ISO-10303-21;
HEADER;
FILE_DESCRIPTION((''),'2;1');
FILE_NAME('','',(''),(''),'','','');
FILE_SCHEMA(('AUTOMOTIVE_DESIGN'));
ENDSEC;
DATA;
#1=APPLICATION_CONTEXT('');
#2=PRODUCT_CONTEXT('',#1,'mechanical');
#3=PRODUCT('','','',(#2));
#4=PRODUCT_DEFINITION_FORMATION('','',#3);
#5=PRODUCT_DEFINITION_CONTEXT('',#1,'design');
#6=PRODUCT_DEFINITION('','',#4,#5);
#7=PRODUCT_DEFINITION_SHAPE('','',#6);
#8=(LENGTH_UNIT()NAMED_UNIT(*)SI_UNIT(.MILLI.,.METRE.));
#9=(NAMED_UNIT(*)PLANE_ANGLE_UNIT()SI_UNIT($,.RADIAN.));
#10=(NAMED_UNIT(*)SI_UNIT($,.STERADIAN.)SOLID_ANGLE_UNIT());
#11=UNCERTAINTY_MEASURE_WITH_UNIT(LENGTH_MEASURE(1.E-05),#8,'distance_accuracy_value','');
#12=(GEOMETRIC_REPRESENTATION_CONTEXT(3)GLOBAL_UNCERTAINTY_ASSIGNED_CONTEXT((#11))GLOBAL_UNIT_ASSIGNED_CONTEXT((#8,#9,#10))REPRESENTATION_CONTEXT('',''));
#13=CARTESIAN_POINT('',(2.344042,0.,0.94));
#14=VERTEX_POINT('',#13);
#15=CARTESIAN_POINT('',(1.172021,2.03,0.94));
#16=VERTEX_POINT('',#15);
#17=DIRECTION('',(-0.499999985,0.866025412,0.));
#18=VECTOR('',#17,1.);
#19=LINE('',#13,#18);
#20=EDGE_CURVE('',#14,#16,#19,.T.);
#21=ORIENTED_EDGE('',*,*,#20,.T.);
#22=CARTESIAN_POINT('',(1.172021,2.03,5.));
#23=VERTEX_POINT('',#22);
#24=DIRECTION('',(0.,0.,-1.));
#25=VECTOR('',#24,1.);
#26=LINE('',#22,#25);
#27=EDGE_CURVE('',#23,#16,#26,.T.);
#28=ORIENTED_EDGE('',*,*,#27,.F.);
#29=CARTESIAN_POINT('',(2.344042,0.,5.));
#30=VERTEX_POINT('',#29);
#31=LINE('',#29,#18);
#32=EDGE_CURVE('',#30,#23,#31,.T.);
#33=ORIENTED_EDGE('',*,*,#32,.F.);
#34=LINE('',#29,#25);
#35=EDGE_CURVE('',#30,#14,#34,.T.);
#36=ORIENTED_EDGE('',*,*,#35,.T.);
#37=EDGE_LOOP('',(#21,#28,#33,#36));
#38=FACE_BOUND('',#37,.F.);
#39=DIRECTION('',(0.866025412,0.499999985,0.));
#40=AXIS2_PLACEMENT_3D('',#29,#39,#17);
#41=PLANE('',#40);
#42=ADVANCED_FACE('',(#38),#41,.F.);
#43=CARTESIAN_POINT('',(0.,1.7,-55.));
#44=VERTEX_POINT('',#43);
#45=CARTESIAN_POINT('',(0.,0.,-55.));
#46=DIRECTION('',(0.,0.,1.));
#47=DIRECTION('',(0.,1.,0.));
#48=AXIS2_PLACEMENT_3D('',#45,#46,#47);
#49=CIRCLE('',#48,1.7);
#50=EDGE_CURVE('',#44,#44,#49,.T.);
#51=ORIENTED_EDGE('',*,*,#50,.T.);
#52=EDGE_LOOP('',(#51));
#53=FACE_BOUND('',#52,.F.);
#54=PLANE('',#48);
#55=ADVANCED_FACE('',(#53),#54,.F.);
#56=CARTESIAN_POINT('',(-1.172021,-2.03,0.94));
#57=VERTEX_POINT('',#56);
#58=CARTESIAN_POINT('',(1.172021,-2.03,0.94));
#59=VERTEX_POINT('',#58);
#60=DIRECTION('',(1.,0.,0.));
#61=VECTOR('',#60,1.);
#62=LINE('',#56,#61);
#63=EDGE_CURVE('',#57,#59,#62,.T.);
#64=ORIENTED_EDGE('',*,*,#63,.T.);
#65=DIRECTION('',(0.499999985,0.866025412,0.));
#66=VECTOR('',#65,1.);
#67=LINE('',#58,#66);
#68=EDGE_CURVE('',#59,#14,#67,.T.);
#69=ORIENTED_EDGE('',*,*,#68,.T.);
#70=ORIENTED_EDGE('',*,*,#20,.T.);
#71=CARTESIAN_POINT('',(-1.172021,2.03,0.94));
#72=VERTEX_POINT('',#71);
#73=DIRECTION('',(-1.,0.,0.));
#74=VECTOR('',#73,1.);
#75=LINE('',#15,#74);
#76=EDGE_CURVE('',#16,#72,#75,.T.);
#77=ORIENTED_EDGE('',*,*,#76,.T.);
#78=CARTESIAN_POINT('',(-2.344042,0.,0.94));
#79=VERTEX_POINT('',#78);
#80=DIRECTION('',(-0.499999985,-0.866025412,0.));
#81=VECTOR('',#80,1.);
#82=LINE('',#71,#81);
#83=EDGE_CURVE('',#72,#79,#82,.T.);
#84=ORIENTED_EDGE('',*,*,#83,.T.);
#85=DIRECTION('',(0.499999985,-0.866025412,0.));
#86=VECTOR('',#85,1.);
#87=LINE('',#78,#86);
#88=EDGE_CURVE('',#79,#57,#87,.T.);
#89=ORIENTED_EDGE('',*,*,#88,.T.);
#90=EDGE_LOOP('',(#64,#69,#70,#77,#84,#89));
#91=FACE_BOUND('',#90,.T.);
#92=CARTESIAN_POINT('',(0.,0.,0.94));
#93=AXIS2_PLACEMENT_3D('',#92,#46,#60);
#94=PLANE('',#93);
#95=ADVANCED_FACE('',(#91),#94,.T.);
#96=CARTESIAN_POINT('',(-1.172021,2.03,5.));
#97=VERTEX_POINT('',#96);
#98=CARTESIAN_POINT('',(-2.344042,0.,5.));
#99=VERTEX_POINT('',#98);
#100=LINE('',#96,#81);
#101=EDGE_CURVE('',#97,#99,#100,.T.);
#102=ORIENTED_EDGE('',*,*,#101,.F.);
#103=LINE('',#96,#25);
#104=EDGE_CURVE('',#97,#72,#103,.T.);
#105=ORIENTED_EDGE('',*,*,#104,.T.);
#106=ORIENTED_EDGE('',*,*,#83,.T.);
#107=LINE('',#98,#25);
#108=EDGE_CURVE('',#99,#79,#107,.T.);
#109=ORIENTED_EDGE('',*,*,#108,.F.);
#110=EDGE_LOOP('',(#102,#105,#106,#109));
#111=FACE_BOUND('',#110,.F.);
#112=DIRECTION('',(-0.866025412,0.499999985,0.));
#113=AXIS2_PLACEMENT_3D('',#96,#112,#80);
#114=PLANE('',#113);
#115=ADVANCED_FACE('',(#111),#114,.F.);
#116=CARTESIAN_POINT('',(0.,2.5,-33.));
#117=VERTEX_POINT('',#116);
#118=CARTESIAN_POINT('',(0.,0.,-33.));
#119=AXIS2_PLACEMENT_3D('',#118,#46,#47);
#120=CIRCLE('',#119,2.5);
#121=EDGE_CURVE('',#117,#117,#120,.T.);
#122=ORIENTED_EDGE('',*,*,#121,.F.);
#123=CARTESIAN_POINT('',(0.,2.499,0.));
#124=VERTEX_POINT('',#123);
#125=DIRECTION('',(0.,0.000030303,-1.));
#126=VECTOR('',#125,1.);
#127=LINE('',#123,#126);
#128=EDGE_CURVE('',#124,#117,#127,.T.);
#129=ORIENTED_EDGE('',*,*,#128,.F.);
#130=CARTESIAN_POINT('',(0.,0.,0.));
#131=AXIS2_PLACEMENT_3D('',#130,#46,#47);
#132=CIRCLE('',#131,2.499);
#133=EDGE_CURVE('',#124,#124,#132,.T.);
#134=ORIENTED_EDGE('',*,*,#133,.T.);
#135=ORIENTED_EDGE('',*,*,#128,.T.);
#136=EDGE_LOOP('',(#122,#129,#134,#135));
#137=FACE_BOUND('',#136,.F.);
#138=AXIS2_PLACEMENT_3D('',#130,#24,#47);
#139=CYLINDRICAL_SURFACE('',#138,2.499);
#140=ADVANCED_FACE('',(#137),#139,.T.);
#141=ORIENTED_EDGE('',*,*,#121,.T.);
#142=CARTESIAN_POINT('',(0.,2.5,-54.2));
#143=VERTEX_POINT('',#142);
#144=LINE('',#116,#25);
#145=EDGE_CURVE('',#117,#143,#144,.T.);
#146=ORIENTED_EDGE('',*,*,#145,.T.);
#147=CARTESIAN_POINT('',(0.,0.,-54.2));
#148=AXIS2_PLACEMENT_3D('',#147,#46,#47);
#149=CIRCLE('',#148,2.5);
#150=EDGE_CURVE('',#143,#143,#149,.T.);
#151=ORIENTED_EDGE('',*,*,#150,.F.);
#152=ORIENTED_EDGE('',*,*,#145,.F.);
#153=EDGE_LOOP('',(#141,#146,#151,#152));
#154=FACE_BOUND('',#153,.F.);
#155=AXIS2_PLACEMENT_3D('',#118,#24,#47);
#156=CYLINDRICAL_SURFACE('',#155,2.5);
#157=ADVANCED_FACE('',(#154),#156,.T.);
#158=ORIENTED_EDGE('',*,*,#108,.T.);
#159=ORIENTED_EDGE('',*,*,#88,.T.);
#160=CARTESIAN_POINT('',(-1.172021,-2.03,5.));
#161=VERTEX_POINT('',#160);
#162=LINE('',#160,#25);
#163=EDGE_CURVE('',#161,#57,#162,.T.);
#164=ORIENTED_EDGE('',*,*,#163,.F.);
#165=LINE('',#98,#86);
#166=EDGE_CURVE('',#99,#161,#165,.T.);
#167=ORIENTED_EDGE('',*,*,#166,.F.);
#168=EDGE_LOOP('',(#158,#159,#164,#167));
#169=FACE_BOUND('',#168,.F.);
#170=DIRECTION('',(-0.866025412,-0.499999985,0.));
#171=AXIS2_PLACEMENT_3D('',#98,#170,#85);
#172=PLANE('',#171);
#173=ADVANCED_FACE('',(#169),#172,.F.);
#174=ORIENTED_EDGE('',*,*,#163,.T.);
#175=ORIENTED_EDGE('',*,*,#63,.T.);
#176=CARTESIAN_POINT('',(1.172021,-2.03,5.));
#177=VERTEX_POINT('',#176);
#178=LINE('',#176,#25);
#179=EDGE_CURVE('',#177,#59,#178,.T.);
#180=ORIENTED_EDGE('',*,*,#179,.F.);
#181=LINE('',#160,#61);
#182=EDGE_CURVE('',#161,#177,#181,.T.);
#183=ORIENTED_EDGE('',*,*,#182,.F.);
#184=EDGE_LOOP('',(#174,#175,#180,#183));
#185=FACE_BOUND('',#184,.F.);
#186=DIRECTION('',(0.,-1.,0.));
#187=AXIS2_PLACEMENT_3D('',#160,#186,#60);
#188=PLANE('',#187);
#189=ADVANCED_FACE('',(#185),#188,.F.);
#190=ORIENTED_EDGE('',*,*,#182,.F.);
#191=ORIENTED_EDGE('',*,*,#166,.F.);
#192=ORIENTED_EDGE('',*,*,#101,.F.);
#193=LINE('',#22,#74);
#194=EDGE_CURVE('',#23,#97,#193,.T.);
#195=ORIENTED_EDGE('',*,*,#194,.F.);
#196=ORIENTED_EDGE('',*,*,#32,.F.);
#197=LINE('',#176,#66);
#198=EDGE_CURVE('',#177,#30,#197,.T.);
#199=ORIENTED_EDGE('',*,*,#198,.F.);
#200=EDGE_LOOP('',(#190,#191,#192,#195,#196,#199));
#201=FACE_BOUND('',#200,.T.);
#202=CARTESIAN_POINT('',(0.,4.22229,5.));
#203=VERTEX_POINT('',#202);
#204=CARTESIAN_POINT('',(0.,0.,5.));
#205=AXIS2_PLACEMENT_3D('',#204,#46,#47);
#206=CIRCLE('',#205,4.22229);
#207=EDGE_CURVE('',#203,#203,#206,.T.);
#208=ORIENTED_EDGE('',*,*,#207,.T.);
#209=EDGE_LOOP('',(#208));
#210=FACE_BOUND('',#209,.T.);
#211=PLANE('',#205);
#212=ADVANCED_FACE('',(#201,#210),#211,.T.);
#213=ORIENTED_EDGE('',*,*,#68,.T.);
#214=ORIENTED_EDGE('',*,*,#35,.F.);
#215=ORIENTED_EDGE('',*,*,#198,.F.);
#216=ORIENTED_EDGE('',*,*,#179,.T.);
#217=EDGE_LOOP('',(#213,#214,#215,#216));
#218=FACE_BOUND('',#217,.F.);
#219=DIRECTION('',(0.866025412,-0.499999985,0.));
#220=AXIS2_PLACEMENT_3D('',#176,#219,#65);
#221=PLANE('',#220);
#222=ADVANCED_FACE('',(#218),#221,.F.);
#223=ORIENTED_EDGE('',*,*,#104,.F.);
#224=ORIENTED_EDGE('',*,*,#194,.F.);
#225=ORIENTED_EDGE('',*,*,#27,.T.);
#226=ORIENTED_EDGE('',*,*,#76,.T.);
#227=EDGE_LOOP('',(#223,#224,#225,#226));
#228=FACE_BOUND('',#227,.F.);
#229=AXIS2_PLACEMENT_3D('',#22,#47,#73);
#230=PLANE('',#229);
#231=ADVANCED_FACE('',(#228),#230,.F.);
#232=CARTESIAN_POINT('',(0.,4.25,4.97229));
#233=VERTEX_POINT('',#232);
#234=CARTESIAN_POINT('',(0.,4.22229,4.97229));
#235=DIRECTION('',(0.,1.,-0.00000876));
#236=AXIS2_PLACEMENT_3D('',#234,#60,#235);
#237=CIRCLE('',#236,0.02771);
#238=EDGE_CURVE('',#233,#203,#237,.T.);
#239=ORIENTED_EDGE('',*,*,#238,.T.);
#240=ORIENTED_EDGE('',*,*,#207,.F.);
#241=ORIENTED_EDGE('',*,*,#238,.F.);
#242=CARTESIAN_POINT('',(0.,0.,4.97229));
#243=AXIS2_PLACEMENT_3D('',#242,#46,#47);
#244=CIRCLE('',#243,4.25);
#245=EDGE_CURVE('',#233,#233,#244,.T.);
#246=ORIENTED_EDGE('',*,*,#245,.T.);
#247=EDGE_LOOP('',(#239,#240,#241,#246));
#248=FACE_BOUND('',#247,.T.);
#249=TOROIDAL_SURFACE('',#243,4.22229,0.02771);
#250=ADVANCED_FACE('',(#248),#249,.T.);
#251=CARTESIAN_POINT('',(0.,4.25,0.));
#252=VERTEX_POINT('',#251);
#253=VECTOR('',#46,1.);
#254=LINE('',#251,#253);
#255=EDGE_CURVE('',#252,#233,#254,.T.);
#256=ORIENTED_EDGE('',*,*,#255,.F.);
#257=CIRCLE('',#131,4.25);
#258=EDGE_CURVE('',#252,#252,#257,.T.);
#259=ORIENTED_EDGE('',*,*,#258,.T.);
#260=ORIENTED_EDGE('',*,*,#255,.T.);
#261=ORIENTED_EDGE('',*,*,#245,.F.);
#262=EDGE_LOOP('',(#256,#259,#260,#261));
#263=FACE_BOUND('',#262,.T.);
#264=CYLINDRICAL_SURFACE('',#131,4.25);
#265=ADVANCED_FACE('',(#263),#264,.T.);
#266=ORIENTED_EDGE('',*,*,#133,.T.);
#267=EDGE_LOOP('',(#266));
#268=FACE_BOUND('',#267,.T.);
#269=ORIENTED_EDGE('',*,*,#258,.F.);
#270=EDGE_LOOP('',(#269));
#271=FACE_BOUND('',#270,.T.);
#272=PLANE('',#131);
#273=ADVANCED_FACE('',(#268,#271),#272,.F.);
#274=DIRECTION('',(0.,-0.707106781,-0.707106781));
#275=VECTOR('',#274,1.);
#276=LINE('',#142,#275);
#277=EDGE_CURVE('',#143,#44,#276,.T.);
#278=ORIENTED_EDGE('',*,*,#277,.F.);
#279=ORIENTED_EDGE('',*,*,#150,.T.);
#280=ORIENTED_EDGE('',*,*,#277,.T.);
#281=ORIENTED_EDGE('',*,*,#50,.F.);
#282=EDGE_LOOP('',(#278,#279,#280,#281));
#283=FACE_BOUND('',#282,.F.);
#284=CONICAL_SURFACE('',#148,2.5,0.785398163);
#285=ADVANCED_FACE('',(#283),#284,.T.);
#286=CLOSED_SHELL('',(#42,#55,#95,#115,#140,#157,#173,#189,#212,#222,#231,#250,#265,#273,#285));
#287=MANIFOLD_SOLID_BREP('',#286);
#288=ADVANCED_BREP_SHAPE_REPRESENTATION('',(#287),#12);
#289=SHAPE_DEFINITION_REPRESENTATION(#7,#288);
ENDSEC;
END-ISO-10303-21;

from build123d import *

# Parameters (mm, degrees)
POCKET_DEPTH = 4.06


with BuildPart() as part:
    # Sketch → Revolve (revolve)
    with BuildSketch(Plane.YZ):
        with BuildLine():
            Line((2.499, 0), (4.25, 0))
            Line((4.25, 0), (4.25, 4.97229))
            ThreePointArc((4.25, 4.97229), (4.241884, 4.991884), (4.22229, 5))
            Line((4.22229, 5), (0, 5))
            Line((0, -55), (0, 5))
            Line((1.7, -55), (0, -55))
            Line((2.5, -54.2), (1.7, -55))
            Line((2.5, -33), (2.5, -54.2))
            Line((2.499, 0), (2.5, -33))
        make_face()
    revolve(axis=Axis((0, 0, 0), (0, 0, 1)))

    # Sketch001 → Pocket (cut)
    with BuildSketch(Plane.XY.offset(5)):
        Polygon((2.344042, 0), (1.172021, 2.03), (-1.172021, 2.03), (-2.344042, 0), (-1.172021, -2.03), (1.172021, -2.03), align=None)
    extrude(amount=-POCKET_DEPTH, mode=Mode.SUBTRACT)


solid = part.part
